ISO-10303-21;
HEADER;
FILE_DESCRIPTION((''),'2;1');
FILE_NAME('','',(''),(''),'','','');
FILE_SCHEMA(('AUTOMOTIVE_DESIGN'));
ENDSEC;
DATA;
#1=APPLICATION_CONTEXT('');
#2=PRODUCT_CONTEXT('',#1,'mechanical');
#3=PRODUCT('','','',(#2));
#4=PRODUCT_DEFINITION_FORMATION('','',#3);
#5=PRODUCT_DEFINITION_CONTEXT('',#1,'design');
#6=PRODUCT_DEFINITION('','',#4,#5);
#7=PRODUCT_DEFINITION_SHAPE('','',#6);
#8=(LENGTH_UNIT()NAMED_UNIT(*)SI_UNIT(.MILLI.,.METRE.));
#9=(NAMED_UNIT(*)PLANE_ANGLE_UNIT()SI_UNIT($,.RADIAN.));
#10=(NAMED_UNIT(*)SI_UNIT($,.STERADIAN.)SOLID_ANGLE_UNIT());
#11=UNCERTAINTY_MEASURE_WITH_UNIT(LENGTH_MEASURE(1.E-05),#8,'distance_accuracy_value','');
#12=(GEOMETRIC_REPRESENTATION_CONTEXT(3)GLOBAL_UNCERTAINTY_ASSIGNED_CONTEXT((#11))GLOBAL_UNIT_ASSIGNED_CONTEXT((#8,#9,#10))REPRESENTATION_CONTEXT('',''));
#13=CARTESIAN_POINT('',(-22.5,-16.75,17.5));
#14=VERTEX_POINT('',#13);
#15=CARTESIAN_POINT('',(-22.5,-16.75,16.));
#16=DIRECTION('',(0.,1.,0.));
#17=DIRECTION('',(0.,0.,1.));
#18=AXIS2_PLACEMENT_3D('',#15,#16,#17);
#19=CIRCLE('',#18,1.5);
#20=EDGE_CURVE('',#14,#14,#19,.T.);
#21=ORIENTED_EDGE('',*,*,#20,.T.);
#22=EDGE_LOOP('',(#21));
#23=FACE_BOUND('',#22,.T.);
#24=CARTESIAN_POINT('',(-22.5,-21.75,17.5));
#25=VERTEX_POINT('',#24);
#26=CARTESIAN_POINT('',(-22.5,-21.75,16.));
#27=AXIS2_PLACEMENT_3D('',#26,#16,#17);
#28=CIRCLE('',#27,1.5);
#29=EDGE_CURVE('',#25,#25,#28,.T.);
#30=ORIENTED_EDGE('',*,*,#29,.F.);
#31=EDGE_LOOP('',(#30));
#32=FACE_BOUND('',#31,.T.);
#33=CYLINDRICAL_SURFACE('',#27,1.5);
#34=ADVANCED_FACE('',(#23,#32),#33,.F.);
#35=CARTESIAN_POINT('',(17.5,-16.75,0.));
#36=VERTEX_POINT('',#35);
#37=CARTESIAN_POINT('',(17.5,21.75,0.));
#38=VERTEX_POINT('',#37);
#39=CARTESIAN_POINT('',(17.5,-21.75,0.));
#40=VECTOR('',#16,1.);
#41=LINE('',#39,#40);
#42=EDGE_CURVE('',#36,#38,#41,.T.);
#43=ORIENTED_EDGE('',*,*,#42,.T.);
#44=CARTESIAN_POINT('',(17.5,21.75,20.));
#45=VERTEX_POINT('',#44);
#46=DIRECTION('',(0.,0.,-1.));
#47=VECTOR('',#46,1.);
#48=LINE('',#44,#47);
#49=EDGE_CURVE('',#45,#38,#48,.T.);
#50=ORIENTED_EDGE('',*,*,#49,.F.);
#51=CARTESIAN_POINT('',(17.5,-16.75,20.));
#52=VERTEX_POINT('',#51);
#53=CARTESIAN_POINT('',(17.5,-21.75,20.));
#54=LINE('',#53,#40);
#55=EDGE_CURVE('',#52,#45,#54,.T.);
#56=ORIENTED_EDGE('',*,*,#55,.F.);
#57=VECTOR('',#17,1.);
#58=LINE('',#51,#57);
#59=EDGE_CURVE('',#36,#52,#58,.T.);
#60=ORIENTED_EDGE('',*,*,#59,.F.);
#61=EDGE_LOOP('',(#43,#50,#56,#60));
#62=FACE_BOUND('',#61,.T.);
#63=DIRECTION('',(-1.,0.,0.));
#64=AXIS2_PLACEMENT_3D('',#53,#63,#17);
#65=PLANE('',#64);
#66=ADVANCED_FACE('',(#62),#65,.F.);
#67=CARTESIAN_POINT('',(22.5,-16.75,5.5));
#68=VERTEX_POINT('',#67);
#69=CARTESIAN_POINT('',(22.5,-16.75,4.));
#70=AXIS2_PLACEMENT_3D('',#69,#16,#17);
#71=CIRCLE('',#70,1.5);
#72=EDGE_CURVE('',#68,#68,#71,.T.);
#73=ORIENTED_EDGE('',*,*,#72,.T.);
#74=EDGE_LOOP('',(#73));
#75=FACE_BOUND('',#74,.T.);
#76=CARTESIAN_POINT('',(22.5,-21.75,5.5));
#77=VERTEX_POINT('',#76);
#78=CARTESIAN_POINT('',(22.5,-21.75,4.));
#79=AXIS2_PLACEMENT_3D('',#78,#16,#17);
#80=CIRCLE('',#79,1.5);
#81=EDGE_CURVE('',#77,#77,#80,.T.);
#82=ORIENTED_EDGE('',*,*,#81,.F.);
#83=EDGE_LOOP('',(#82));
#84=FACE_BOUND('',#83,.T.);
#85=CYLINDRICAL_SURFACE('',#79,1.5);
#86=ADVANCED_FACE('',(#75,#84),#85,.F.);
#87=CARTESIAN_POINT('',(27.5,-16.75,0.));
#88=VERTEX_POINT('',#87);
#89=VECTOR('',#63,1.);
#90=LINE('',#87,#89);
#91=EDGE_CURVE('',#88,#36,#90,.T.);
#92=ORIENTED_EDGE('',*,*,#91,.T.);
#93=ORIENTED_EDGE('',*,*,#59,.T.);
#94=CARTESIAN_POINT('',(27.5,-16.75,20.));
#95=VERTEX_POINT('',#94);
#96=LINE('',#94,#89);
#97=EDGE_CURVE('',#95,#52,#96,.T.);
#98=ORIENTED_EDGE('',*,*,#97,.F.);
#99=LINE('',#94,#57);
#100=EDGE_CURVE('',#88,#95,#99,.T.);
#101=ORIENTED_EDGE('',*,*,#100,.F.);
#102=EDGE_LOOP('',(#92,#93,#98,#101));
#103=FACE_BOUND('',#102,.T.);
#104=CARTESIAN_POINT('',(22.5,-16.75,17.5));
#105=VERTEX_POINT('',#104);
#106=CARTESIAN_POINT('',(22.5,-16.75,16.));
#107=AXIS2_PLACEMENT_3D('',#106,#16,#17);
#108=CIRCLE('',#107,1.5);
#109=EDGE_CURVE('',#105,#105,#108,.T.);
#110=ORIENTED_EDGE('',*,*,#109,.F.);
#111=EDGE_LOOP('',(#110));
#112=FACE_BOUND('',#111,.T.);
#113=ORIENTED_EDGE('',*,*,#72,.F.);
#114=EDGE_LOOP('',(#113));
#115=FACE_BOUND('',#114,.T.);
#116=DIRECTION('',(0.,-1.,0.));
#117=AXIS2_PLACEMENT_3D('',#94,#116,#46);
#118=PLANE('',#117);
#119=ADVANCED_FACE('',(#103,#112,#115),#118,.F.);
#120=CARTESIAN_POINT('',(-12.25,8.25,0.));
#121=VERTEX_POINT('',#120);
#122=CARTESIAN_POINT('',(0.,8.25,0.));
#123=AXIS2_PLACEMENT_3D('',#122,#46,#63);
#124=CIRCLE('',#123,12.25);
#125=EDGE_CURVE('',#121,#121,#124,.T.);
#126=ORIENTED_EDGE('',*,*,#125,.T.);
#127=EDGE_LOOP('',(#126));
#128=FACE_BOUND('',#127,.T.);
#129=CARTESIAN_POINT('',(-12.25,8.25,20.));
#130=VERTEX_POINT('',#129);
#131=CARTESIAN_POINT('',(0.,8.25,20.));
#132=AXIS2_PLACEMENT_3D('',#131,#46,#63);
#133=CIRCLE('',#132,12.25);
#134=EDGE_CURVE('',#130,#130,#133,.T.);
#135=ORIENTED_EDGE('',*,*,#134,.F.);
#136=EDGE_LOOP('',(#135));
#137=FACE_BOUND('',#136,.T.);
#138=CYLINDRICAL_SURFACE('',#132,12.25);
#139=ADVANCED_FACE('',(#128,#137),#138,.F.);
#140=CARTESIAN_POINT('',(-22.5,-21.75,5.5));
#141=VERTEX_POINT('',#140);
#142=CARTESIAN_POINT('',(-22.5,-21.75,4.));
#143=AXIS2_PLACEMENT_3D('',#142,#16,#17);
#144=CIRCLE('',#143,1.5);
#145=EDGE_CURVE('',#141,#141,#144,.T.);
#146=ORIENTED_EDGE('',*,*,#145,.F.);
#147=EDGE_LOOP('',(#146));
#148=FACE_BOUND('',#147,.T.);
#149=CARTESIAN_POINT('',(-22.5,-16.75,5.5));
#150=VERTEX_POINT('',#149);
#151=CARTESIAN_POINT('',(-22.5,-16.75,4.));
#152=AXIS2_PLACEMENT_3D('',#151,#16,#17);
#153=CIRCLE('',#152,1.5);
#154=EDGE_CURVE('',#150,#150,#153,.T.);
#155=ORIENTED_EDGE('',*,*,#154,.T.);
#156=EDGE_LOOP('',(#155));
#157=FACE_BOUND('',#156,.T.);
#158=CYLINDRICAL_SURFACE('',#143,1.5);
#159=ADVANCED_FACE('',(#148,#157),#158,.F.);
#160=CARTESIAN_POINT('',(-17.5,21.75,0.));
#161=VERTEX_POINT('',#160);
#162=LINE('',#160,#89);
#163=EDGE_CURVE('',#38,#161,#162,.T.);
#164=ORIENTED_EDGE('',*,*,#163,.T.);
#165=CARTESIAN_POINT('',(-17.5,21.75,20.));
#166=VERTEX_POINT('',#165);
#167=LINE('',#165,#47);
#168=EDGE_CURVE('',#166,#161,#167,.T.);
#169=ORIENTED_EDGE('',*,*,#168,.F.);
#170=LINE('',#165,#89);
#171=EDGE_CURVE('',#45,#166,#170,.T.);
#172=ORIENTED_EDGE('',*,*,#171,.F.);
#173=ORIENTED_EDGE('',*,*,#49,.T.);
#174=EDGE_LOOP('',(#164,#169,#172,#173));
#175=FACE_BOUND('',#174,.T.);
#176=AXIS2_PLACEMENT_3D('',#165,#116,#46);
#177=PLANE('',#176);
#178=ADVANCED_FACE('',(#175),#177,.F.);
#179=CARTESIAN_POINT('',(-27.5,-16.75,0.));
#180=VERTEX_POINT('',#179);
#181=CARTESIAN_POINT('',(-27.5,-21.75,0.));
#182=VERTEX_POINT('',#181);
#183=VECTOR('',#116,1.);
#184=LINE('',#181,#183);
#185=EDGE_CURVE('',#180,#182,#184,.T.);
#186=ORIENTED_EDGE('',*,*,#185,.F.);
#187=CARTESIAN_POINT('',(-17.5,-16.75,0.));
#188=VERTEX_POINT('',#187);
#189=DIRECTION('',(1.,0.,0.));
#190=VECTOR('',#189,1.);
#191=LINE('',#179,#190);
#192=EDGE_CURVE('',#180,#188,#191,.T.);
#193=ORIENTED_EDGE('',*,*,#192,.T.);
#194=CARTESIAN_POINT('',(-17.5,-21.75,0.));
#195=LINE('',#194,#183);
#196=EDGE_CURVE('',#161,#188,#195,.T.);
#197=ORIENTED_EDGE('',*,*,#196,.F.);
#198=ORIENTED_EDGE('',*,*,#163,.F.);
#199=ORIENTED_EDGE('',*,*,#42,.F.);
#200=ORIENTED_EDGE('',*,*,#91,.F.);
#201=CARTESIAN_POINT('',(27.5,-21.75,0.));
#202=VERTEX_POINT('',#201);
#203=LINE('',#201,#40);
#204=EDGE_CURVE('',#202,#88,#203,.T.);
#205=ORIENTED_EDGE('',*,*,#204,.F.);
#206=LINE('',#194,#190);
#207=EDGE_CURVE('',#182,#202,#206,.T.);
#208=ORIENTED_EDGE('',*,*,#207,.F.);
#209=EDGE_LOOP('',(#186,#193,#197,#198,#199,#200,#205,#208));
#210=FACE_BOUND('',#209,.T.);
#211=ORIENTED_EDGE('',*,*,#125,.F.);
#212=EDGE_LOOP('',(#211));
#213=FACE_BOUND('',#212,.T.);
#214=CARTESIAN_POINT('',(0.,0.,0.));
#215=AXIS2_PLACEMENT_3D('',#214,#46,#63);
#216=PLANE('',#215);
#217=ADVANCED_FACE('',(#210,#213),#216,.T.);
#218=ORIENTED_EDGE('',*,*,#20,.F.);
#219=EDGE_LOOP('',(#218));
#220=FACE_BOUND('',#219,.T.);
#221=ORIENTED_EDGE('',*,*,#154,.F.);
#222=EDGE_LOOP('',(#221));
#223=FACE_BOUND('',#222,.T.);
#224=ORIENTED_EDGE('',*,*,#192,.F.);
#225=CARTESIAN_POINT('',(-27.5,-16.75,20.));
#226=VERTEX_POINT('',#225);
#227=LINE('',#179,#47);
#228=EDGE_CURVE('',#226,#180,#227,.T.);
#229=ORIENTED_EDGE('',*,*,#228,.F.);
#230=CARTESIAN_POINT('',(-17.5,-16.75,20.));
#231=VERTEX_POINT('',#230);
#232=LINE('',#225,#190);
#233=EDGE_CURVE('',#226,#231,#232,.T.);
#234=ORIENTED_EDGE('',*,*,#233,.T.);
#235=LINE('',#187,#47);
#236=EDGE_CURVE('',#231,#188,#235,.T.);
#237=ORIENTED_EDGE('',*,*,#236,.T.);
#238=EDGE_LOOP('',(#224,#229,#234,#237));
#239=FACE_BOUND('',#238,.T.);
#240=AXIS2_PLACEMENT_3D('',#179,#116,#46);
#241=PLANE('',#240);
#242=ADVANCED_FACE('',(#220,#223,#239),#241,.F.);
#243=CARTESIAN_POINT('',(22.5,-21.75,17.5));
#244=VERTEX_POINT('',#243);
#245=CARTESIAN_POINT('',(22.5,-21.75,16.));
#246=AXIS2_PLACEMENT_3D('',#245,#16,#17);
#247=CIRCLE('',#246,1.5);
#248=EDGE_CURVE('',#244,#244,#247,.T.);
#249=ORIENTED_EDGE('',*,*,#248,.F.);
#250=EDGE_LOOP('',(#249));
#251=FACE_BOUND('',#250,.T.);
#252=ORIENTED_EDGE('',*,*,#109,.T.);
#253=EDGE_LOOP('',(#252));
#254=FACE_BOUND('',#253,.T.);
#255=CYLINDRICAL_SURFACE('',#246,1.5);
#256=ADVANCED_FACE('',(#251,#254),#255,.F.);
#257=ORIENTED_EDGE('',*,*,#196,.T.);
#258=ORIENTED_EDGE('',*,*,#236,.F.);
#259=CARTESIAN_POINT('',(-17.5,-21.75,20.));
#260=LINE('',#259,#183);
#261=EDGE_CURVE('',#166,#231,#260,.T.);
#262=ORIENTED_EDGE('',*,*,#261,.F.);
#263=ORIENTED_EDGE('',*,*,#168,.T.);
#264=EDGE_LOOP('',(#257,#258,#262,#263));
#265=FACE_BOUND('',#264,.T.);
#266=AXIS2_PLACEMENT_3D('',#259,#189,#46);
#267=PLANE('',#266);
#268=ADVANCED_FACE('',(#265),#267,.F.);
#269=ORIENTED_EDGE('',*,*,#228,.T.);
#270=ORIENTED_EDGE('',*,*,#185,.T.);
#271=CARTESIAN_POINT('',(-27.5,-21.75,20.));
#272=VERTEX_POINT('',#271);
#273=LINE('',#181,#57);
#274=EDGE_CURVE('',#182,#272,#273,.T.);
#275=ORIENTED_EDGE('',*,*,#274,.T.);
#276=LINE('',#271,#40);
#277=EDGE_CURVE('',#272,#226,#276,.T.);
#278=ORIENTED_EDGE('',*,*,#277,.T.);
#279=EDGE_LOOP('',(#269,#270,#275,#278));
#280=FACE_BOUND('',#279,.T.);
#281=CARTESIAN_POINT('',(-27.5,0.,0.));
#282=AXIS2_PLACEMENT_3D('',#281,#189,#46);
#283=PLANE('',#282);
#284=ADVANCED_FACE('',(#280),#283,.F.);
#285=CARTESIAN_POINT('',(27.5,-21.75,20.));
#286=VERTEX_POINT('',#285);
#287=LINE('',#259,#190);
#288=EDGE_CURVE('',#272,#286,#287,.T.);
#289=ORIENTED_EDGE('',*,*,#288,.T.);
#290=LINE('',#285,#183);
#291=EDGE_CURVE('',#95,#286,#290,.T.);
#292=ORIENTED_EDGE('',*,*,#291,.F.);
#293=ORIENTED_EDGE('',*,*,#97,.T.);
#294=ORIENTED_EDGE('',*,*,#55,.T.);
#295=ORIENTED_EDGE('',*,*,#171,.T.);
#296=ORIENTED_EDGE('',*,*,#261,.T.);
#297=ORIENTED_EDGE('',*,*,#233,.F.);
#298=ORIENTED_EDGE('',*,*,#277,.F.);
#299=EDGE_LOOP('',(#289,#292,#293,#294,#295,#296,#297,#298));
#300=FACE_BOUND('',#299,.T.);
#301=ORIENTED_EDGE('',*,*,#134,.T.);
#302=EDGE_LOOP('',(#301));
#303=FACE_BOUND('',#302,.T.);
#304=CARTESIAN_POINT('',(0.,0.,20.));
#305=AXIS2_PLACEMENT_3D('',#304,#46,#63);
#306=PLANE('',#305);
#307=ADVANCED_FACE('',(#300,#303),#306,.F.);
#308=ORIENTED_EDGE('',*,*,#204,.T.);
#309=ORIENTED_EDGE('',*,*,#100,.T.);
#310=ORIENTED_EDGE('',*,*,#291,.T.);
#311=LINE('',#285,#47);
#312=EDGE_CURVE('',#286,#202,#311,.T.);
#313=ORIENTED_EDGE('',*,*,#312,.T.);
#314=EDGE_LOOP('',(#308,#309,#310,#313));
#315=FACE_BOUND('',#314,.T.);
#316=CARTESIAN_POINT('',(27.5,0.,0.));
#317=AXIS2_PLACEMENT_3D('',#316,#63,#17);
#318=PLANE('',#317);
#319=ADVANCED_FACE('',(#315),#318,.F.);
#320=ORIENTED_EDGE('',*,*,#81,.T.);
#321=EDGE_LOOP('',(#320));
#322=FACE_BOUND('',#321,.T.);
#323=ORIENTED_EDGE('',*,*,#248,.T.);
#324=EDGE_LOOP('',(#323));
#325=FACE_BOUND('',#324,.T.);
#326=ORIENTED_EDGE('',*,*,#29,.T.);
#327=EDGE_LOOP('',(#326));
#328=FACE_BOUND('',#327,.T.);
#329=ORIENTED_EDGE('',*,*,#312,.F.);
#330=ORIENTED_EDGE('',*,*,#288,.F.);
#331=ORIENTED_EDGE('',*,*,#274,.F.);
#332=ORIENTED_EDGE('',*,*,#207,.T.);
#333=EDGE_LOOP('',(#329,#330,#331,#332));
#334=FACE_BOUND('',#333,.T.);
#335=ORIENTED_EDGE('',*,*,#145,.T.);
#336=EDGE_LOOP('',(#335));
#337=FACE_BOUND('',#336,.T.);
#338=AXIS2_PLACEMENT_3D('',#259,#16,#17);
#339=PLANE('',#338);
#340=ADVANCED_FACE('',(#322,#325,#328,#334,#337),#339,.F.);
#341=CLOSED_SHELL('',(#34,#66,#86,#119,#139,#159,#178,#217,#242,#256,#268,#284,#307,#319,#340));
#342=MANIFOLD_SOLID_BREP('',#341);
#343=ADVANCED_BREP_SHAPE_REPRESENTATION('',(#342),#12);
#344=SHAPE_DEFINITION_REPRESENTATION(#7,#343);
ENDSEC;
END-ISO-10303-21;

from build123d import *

# Parameters (mm, degrees)
SKETCH_1_W          = 35
SKETCH_1_H          = 43.5
EXTRUDE_1_DEPTH     = 20
SKETCH_2_W          = 20
SKETCH_2_H          = 5
EXTRUDE_2_DEPTH     = 10
SKETCH_3_W          = 20
SKETCH_3_H          = 5
EXTRUDE_3_DEPTH     = 10
SKETCH_4_R          = 1.5
CUT_EXTRUDE_2_DEPTH = 5
SKETCH_5_R          = 12.25
CUT_EXTRUDE_3_DEPTH = 20


with BuildPart() as part:
    # Эскиз1 → Бобышка-Вытянуть1 (new body)
    with BuildSketch(Plane.XY):
        Rectangle(SKETCH_1_W, SKETCH_1_H)
    extrude(amount=EXTRUDE_1_DEPTH)

    # Эскиз2 → Бобышка-Вытянуть2 (add)
    with BuildSketch(Plane(origin=(17.5, 0, 0), x_dir=(0, 0, -1), z_dir=(1, 0, 0))):
        with Locations((-10, -19.25)):
            Rectangle(SKETCH_2_W, SKETCH_2_H)
    extrude(amount=EXTRUDE_2_DEPTH)

    # Эскиз3 → Бобышка-Вытянуть3 (add)
    with BuildSketch(Plane.ZY.offset(17.5)):
        with Locations((10, -19.25)):
            Rectangle(SKETCH_3_W, SKETCH_3_H)
    extrude(amount=EXTRUDE_3_DEPTH)

    # Эскиз4 → Вырез-Вытянуть2 (cut)
    with BuildSketch(Plane(origin=(0, -16.75, 0), x_dir=(1, 0, 0), z_dir=(0, 1, 0))):
        with Locations((-22.5, -16)):
            Circle(SKETCH_4_R)
        with Locations((-22.5, -4)):
            Circle(SKETCH_4_R)
        with Locations((22.5, -16)):
            Circle(SKETCH_4_R)
        with Locations((22.5, -4)):
            Circle(SKETCH_4_R)
    extrude(amount=-CUT_EXTRUDE_2_DEPTH, mode=Mode.SUBTRACT)

    # Эскиз5 → Вырез-Вытянуть3 (cut)
    with BuildSketch(Plane(origin=(0, 0, 0), x_dir=(-1, 0, 0), z_dir=(0, 0, -1))):
        with Locations((0, 8.25)):
            Circle(SKETCH_5_R)
    extrude(amount=-CUT_EXTRUDE_3_DEPTH, mode=Mode.SUBTRACT)


solid = part.part
